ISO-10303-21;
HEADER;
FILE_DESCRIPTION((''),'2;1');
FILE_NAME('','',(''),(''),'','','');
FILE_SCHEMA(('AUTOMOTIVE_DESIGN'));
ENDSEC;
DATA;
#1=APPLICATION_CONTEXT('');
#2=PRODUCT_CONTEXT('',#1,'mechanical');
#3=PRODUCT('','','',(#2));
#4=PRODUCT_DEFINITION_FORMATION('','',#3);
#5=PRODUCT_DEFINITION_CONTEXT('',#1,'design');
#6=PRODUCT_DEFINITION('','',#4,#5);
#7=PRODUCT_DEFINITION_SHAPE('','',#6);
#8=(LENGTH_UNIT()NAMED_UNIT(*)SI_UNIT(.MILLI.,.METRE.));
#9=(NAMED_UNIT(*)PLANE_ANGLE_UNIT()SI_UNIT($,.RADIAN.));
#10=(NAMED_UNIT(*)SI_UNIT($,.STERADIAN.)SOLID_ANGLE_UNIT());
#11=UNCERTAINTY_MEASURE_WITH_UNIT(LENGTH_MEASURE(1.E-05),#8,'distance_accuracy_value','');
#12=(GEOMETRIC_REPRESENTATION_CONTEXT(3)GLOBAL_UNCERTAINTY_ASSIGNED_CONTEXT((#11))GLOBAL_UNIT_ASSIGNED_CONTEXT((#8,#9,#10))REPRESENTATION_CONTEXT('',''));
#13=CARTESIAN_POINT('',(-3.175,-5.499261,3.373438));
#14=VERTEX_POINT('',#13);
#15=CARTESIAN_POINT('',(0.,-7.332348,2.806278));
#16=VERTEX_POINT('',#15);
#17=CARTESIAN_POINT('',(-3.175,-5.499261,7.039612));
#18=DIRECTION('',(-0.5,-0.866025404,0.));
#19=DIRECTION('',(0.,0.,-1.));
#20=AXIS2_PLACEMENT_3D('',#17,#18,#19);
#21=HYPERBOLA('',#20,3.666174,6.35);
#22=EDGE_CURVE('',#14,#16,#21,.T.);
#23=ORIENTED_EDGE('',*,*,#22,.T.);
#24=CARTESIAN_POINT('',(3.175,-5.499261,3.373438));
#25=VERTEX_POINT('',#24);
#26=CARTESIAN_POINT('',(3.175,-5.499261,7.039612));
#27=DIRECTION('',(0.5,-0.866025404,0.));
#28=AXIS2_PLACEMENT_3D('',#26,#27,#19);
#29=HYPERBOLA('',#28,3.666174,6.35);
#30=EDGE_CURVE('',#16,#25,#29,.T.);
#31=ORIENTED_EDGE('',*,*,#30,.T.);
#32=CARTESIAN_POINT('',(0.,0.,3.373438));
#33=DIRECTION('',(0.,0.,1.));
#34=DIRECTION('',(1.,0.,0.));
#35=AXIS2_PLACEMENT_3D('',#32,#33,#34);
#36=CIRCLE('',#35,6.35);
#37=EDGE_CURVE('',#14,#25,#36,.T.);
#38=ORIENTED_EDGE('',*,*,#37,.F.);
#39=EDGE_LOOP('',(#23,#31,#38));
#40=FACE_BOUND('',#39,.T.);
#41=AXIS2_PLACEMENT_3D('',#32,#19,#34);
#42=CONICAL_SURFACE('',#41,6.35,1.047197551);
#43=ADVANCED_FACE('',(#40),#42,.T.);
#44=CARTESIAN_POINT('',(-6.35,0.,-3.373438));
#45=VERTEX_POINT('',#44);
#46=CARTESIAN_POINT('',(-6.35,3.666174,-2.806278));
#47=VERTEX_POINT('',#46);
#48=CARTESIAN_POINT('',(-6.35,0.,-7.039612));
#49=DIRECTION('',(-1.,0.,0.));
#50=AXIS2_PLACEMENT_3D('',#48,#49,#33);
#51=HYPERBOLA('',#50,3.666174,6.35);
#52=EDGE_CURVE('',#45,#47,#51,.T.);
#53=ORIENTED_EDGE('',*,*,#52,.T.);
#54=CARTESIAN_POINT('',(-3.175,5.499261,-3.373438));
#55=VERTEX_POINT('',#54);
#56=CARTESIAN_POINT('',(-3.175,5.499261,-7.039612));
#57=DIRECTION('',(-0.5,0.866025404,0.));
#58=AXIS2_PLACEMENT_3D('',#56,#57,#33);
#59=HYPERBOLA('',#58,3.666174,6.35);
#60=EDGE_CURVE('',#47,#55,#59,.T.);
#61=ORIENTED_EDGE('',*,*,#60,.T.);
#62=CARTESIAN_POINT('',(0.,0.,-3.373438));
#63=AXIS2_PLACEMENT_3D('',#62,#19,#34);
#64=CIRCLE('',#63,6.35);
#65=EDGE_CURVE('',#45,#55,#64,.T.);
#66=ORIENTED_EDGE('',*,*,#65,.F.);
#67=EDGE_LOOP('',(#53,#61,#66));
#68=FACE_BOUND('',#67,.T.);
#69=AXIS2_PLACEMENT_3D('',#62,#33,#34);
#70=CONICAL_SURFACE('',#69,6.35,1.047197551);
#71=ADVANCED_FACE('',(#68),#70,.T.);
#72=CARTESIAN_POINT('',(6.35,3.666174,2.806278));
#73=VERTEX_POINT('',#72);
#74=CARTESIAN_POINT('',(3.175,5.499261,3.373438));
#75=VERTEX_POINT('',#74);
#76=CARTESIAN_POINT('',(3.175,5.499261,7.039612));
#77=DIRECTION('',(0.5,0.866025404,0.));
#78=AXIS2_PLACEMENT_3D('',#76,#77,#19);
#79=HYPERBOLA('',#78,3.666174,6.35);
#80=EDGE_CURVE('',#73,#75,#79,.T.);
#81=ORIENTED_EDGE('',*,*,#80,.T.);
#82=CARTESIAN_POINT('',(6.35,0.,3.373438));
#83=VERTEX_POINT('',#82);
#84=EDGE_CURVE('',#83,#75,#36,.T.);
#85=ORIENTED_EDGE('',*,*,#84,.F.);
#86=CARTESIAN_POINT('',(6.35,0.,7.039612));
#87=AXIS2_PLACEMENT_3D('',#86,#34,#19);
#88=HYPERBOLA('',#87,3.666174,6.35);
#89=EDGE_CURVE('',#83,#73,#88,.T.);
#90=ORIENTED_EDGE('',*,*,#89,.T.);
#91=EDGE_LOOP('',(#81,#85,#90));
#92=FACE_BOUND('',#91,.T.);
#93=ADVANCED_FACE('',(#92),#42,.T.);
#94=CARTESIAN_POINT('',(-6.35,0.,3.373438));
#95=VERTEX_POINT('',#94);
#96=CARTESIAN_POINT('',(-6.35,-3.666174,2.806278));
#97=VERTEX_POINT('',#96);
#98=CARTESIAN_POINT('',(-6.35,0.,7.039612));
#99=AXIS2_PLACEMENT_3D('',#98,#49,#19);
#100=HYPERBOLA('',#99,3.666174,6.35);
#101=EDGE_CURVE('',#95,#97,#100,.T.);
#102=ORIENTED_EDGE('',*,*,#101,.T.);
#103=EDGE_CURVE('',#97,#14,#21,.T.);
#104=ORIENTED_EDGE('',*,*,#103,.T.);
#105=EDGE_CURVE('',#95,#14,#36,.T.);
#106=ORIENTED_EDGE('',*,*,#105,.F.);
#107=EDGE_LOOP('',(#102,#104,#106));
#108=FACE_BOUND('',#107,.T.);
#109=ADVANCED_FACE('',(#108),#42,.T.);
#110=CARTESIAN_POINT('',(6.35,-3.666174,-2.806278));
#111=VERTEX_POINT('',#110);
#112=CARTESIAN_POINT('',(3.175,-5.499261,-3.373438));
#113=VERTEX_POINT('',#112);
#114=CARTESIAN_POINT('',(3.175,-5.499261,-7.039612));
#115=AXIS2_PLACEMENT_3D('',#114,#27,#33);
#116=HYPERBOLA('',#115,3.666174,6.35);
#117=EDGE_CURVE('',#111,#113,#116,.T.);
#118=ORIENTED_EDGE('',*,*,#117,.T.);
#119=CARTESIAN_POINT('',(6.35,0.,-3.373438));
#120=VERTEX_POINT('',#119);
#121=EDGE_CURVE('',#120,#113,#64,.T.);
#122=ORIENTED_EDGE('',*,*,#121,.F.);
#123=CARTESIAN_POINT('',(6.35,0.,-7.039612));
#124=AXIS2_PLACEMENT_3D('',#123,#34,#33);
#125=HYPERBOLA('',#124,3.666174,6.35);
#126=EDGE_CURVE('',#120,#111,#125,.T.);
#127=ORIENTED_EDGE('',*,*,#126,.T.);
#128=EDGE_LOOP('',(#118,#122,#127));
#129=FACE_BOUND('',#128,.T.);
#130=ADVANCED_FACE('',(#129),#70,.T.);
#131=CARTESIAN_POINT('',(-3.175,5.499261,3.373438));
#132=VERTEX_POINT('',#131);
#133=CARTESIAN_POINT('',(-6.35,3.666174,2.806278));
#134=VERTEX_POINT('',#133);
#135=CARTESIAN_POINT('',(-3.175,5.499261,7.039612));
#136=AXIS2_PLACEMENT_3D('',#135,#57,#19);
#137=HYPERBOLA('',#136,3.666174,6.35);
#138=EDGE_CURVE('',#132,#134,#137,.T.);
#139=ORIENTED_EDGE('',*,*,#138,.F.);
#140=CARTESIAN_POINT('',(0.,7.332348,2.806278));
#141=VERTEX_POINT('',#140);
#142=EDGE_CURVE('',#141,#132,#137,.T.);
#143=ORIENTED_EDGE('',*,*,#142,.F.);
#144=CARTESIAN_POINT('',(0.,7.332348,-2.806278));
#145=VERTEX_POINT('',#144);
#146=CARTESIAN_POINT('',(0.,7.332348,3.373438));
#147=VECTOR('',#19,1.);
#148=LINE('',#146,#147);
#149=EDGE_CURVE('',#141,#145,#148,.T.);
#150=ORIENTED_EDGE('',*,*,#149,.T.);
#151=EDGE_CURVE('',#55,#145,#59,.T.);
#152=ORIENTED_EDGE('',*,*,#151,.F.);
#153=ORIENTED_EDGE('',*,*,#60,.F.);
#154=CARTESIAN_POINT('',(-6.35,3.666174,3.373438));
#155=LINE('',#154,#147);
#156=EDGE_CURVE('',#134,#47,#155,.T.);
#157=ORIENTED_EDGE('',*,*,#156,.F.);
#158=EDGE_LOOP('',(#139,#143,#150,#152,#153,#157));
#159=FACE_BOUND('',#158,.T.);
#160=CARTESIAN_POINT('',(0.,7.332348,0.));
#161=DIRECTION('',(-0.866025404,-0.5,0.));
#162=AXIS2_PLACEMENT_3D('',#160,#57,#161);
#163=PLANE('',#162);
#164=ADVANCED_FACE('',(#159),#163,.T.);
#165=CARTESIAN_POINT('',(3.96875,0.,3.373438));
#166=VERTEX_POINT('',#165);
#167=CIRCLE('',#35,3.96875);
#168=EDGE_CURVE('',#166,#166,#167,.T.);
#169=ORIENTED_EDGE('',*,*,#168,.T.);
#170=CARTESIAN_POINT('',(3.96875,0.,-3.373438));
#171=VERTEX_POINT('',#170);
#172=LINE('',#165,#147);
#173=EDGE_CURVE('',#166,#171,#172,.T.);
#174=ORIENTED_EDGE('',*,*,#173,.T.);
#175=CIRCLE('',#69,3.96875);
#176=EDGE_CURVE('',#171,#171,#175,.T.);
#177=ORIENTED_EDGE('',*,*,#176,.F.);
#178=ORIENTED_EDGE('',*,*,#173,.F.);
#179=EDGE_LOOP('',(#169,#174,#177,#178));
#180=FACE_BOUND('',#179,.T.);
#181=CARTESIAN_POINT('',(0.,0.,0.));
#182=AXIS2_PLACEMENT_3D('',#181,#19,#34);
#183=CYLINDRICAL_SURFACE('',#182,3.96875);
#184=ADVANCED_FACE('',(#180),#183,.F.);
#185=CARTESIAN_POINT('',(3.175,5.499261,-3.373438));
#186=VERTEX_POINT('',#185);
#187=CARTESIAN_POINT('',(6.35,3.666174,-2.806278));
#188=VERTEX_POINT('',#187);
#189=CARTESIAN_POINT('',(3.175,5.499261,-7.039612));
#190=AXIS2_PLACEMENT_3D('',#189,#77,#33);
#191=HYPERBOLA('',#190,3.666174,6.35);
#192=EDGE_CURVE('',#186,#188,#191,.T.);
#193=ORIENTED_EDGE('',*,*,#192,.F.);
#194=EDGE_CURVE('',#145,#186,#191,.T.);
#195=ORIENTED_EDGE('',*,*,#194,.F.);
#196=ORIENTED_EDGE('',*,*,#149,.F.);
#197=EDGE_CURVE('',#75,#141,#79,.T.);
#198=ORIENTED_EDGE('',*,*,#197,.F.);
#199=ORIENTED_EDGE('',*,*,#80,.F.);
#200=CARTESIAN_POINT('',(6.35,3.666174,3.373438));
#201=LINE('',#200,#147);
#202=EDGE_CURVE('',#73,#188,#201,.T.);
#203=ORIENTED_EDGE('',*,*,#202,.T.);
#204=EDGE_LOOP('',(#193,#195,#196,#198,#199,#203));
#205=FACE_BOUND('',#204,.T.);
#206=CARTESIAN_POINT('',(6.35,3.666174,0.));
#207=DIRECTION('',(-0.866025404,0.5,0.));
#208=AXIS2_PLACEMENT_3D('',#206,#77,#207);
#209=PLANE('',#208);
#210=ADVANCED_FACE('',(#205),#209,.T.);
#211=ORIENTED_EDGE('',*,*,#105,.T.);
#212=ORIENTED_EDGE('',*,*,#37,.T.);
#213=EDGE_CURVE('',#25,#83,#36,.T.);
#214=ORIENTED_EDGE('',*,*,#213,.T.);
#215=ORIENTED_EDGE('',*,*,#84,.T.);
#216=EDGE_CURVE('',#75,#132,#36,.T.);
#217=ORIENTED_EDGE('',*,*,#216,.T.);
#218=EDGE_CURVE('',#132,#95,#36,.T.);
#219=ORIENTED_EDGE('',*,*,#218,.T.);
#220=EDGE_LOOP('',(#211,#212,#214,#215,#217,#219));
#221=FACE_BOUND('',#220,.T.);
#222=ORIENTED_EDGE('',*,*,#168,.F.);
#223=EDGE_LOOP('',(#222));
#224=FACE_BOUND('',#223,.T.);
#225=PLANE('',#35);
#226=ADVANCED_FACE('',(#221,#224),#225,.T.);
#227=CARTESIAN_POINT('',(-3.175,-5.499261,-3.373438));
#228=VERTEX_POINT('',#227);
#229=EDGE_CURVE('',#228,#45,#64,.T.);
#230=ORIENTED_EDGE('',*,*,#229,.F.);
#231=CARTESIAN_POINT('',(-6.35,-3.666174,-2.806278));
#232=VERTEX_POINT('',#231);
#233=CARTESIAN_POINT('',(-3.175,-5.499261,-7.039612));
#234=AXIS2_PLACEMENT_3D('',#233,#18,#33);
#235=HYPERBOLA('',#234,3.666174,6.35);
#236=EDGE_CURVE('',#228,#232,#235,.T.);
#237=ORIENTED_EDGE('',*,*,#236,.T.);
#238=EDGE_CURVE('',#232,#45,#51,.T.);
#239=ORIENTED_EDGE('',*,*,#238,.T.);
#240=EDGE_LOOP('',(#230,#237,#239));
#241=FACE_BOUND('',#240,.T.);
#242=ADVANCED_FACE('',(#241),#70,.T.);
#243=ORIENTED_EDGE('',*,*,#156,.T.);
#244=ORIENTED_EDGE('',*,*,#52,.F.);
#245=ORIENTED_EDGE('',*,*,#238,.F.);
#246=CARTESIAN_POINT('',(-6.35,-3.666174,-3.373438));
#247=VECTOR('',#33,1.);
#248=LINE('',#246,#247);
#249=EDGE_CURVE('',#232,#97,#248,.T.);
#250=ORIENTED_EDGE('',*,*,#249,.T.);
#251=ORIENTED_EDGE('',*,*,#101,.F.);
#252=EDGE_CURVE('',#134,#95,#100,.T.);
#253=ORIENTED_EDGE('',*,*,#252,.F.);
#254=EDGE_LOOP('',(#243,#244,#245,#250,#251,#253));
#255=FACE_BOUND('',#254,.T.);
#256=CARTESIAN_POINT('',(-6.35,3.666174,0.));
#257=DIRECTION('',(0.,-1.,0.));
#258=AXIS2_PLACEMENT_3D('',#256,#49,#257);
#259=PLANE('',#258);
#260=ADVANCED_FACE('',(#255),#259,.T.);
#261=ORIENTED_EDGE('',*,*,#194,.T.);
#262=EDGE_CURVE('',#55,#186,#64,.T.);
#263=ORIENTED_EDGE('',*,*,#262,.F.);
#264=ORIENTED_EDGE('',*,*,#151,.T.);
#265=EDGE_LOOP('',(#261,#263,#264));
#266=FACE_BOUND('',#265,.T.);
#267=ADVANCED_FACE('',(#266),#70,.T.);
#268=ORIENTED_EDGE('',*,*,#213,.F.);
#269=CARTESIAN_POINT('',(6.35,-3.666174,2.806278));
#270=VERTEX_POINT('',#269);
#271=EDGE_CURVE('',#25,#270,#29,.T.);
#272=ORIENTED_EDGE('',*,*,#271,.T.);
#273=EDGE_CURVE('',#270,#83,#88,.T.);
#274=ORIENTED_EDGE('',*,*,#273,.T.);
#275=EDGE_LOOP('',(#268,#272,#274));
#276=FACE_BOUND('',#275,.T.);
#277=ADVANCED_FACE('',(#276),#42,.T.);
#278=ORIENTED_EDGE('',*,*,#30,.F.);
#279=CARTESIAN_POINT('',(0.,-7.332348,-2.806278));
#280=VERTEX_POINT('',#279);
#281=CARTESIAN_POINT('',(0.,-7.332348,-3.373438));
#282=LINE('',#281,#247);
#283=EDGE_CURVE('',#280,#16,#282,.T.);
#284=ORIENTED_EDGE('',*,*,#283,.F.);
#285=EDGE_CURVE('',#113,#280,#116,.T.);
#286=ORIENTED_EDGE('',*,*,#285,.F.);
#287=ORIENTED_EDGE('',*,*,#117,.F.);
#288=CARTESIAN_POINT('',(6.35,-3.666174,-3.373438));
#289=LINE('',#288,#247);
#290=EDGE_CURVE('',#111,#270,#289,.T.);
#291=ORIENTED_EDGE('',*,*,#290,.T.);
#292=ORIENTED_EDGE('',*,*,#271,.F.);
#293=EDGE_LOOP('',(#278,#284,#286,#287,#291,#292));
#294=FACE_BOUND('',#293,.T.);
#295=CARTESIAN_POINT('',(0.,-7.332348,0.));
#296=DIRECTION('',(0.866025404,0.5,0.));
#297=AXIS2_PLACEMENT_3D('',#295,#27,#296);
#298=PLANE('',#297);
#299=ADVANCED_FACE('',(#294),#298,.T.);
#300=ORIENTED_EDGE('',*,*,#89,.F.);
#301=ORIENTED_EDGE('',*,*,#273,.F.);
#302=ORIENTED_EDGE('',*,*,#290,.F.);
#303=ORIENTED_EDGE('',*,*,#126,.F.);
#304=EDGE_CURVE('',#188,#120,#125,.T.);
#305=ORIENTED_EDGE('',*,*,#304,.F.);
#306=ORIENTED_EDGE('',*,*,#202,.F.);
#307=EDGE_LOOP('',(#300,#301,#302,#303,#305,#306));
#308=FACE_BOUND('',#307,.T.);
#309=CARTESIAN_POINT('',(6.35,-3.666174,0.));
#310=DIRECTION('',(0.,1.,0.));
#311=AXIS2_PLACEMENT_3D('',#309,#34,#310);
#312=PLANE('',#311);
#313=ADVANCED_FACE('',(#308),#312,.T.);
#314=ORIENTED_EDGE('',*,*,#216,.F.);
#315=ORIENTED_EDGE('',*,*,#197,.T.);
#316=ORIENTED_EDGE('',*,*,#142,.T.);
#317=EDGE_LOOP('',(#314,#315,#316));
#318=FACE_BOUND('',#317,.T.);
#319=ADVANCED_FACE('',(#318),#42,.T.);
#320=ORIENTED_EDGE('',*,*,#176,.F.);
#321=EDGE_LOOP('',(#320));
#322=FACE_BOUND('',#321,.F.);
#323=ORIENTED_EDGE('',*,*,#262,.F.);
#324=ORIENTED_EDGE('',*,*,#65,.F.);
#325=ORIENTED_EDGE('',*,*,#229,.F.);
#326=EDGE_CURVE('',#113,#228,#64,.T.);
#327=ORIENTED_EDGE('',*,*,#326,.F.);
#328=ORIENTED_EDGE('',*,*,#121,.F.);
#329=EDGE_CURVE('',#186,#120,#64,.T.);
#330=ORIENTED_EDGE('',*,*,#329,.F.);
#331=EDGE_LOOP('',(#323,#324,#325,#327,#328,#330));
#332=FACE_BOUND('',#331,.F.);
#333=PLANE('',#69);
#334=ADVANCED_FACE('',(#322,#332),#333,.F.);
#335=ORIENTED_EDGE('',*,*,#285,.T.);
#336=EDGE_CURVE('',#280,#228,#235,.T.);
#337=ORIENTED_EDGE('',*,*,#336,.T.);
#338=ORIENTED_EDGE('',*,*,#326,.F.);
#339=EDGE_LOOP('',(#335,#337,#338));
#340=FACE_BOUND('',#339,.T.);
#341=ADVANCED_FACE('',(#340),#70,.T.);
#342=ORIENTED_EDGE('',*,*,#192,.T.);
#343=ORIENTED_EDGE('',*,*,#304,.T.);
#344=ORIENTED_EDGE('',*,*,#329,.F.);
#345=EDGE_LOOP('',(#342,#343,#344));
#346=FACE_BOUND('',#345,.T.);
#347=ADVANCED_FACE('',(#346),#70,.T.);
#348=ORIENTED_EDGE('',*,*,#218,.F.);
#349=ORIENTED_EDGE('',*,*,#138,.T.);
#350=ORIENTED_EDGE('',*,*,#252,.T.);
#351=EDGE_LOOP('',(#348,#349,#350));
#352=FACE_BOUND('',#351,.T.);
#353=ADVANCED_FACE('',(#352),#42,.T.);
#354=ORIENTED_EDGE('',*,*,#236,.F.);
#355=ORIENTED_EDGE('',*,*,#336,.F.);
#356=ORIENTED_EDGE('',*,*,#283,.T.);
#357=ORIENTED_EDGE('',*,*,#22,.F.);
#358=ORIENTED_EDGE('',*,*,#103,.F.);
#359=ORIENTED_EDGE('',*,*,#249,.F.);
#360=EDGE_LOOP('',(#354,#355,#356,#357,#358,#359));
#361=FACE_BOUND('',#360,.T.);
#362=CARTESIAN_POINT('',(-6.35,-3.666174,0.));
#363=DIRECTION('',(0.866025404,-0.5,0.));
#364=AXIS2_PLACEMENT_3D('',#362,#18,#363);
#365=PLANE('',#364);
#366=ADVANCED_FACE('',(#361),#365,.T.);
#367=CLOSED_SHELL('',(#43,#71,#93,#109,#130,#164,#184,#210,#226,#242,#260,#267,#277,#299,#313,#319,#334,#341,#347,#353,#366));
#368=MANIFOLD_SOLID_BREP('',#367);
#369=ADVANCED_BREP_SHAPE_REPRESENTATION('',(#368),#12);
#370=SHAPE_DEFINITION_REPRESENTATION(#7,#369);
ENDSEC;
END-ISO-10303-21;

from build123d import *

# Parameters (mm, degrees)
SKETCH1_R               = 3.96875
EXTRUDE1_DEPTH          = 3.3734375
SKETCH7_OUTSIDE_W       = 106.796
SKETCH7_OUTSIDE_H       = 108.76
SKETCH7_OUTSIDE_R       = 6.35
EXTRUDE2_DEPTH          = 25.4
EXTRUDE2_DRAFT          = -60
MIRROR1_COPY_1_SKETCH_W = 106.796
MIRROR1_COPY_1_SKETCH_H = 108.76
MIRROR1_COPY_1_SKETCH_R = 6.35
MIRROR1_COPY_1_DEPTH    = 25.4
MIRROR1_COPY_1_DRAFT    = -60


with BuildPart() as part:
    # Sketch1 → Extrude1 (new, symmetric)
    with BuildSketch(Plane.XY):
        Polygon((-6.35, 3.666174209), (-6.35, -3.666174209), (0, -7.332348419), (6.35, -3.666174209), (6.35, 3.666174209), (0, 7.332348419), align=None)
        Circle(SKETCH1_R, mode=Mode.SUBTRACT)
    extrude(amount=EXTRUDE1_DEPTH, both=True)


with BuildPart() as extrude2_tool:
    # Sketch7 outside → Extrude2 (with draft: the straight prism first)
    with BuildSketch(Plane.XY.offset(3.3734375)):
        Rectangle(SKETCH7_OUTSIDE_W, SKETCH7_OUTSIDE_H)
        Circle(SKETCH7_OUTSIDE_R, mode=Mode.SUBTRACT)
    extrude(amount=-EXTRUDE2_DEPTH)
    # Extrude2: the draft: its side faces are tilted about the plane it starts from
    extrude2_sides = [extrude2_tool.faces().sort_by_distance(p)[0] for p in [
        (0, -54.38, -9.3265625),
        (53.398, 0, -9.3265625),
        (0, 54.38, -9.3265625),
        (-53.398, 0, -9.3265625),
        (-6.35, 0, -9.3265625),
    ]]
    draft(extrude2_sides, Plane.XY.offset(3.3734375), EXTRUDE2_DRAFT)


with BuildPart() as part_1:
    add(part.part)

    # Extrude2: cut by extrude2_tool
    add(extrude2_tool.part, mode=Mode.SUBTRACT)


with BuildPart() as mirror1_copy_1_tool:
    # Mirror1 copy 1 sketch → Mirror1 copy 1 (with draft: the straight prism first)
    with BuildSketch(Plane(origin=(0, 0, -3.3734375), x_dir=(1, 0, 0), z_dir=(0, 0, -1))):
        Rectangle(MIRROR1_COPY_1_SKETCH_W, MIRROR1_COPY_1_SKETCH_H)
        Circle(MIRROR1_COPY_1_SKETCH_R, mode=Mode.SUBTRACT)
    extrude(amount=-MIRROR1_COPY_1_DEPTH)
    # Mirror1 copy 1: the draft: its side faces are tilted about the plane it starts from
    mirror1_copy_1_sides = [mirror1_copy_1_tool.faces().sort_by_distance(p)[0] for p in [
        (0, -54.38, 9.3265625),
        (53.398, 0, 9.3265625),
        (0, 54.38, 9.3265625),
        (-53.398, 0, 9.3265625),
        (-6.35, 0, 9.3265625),
    ]]
    draft(mirror1_copy_1_sides, Plane(origin=(0, 0, -3.3734375), x_dir=(1, 0, 0), z_dir=(0, 0, -1)), MIRROR1_COPY_1_DRAFT)


with BuildPart() as part_2:
    add(part_1.part)

    # Mirror1 copy 1: cut by mirror1_copy_1_tool
    add(mirror1_copy_1_tool.part, mode=Mode.SUBTRACT)


solid = part_2.part
